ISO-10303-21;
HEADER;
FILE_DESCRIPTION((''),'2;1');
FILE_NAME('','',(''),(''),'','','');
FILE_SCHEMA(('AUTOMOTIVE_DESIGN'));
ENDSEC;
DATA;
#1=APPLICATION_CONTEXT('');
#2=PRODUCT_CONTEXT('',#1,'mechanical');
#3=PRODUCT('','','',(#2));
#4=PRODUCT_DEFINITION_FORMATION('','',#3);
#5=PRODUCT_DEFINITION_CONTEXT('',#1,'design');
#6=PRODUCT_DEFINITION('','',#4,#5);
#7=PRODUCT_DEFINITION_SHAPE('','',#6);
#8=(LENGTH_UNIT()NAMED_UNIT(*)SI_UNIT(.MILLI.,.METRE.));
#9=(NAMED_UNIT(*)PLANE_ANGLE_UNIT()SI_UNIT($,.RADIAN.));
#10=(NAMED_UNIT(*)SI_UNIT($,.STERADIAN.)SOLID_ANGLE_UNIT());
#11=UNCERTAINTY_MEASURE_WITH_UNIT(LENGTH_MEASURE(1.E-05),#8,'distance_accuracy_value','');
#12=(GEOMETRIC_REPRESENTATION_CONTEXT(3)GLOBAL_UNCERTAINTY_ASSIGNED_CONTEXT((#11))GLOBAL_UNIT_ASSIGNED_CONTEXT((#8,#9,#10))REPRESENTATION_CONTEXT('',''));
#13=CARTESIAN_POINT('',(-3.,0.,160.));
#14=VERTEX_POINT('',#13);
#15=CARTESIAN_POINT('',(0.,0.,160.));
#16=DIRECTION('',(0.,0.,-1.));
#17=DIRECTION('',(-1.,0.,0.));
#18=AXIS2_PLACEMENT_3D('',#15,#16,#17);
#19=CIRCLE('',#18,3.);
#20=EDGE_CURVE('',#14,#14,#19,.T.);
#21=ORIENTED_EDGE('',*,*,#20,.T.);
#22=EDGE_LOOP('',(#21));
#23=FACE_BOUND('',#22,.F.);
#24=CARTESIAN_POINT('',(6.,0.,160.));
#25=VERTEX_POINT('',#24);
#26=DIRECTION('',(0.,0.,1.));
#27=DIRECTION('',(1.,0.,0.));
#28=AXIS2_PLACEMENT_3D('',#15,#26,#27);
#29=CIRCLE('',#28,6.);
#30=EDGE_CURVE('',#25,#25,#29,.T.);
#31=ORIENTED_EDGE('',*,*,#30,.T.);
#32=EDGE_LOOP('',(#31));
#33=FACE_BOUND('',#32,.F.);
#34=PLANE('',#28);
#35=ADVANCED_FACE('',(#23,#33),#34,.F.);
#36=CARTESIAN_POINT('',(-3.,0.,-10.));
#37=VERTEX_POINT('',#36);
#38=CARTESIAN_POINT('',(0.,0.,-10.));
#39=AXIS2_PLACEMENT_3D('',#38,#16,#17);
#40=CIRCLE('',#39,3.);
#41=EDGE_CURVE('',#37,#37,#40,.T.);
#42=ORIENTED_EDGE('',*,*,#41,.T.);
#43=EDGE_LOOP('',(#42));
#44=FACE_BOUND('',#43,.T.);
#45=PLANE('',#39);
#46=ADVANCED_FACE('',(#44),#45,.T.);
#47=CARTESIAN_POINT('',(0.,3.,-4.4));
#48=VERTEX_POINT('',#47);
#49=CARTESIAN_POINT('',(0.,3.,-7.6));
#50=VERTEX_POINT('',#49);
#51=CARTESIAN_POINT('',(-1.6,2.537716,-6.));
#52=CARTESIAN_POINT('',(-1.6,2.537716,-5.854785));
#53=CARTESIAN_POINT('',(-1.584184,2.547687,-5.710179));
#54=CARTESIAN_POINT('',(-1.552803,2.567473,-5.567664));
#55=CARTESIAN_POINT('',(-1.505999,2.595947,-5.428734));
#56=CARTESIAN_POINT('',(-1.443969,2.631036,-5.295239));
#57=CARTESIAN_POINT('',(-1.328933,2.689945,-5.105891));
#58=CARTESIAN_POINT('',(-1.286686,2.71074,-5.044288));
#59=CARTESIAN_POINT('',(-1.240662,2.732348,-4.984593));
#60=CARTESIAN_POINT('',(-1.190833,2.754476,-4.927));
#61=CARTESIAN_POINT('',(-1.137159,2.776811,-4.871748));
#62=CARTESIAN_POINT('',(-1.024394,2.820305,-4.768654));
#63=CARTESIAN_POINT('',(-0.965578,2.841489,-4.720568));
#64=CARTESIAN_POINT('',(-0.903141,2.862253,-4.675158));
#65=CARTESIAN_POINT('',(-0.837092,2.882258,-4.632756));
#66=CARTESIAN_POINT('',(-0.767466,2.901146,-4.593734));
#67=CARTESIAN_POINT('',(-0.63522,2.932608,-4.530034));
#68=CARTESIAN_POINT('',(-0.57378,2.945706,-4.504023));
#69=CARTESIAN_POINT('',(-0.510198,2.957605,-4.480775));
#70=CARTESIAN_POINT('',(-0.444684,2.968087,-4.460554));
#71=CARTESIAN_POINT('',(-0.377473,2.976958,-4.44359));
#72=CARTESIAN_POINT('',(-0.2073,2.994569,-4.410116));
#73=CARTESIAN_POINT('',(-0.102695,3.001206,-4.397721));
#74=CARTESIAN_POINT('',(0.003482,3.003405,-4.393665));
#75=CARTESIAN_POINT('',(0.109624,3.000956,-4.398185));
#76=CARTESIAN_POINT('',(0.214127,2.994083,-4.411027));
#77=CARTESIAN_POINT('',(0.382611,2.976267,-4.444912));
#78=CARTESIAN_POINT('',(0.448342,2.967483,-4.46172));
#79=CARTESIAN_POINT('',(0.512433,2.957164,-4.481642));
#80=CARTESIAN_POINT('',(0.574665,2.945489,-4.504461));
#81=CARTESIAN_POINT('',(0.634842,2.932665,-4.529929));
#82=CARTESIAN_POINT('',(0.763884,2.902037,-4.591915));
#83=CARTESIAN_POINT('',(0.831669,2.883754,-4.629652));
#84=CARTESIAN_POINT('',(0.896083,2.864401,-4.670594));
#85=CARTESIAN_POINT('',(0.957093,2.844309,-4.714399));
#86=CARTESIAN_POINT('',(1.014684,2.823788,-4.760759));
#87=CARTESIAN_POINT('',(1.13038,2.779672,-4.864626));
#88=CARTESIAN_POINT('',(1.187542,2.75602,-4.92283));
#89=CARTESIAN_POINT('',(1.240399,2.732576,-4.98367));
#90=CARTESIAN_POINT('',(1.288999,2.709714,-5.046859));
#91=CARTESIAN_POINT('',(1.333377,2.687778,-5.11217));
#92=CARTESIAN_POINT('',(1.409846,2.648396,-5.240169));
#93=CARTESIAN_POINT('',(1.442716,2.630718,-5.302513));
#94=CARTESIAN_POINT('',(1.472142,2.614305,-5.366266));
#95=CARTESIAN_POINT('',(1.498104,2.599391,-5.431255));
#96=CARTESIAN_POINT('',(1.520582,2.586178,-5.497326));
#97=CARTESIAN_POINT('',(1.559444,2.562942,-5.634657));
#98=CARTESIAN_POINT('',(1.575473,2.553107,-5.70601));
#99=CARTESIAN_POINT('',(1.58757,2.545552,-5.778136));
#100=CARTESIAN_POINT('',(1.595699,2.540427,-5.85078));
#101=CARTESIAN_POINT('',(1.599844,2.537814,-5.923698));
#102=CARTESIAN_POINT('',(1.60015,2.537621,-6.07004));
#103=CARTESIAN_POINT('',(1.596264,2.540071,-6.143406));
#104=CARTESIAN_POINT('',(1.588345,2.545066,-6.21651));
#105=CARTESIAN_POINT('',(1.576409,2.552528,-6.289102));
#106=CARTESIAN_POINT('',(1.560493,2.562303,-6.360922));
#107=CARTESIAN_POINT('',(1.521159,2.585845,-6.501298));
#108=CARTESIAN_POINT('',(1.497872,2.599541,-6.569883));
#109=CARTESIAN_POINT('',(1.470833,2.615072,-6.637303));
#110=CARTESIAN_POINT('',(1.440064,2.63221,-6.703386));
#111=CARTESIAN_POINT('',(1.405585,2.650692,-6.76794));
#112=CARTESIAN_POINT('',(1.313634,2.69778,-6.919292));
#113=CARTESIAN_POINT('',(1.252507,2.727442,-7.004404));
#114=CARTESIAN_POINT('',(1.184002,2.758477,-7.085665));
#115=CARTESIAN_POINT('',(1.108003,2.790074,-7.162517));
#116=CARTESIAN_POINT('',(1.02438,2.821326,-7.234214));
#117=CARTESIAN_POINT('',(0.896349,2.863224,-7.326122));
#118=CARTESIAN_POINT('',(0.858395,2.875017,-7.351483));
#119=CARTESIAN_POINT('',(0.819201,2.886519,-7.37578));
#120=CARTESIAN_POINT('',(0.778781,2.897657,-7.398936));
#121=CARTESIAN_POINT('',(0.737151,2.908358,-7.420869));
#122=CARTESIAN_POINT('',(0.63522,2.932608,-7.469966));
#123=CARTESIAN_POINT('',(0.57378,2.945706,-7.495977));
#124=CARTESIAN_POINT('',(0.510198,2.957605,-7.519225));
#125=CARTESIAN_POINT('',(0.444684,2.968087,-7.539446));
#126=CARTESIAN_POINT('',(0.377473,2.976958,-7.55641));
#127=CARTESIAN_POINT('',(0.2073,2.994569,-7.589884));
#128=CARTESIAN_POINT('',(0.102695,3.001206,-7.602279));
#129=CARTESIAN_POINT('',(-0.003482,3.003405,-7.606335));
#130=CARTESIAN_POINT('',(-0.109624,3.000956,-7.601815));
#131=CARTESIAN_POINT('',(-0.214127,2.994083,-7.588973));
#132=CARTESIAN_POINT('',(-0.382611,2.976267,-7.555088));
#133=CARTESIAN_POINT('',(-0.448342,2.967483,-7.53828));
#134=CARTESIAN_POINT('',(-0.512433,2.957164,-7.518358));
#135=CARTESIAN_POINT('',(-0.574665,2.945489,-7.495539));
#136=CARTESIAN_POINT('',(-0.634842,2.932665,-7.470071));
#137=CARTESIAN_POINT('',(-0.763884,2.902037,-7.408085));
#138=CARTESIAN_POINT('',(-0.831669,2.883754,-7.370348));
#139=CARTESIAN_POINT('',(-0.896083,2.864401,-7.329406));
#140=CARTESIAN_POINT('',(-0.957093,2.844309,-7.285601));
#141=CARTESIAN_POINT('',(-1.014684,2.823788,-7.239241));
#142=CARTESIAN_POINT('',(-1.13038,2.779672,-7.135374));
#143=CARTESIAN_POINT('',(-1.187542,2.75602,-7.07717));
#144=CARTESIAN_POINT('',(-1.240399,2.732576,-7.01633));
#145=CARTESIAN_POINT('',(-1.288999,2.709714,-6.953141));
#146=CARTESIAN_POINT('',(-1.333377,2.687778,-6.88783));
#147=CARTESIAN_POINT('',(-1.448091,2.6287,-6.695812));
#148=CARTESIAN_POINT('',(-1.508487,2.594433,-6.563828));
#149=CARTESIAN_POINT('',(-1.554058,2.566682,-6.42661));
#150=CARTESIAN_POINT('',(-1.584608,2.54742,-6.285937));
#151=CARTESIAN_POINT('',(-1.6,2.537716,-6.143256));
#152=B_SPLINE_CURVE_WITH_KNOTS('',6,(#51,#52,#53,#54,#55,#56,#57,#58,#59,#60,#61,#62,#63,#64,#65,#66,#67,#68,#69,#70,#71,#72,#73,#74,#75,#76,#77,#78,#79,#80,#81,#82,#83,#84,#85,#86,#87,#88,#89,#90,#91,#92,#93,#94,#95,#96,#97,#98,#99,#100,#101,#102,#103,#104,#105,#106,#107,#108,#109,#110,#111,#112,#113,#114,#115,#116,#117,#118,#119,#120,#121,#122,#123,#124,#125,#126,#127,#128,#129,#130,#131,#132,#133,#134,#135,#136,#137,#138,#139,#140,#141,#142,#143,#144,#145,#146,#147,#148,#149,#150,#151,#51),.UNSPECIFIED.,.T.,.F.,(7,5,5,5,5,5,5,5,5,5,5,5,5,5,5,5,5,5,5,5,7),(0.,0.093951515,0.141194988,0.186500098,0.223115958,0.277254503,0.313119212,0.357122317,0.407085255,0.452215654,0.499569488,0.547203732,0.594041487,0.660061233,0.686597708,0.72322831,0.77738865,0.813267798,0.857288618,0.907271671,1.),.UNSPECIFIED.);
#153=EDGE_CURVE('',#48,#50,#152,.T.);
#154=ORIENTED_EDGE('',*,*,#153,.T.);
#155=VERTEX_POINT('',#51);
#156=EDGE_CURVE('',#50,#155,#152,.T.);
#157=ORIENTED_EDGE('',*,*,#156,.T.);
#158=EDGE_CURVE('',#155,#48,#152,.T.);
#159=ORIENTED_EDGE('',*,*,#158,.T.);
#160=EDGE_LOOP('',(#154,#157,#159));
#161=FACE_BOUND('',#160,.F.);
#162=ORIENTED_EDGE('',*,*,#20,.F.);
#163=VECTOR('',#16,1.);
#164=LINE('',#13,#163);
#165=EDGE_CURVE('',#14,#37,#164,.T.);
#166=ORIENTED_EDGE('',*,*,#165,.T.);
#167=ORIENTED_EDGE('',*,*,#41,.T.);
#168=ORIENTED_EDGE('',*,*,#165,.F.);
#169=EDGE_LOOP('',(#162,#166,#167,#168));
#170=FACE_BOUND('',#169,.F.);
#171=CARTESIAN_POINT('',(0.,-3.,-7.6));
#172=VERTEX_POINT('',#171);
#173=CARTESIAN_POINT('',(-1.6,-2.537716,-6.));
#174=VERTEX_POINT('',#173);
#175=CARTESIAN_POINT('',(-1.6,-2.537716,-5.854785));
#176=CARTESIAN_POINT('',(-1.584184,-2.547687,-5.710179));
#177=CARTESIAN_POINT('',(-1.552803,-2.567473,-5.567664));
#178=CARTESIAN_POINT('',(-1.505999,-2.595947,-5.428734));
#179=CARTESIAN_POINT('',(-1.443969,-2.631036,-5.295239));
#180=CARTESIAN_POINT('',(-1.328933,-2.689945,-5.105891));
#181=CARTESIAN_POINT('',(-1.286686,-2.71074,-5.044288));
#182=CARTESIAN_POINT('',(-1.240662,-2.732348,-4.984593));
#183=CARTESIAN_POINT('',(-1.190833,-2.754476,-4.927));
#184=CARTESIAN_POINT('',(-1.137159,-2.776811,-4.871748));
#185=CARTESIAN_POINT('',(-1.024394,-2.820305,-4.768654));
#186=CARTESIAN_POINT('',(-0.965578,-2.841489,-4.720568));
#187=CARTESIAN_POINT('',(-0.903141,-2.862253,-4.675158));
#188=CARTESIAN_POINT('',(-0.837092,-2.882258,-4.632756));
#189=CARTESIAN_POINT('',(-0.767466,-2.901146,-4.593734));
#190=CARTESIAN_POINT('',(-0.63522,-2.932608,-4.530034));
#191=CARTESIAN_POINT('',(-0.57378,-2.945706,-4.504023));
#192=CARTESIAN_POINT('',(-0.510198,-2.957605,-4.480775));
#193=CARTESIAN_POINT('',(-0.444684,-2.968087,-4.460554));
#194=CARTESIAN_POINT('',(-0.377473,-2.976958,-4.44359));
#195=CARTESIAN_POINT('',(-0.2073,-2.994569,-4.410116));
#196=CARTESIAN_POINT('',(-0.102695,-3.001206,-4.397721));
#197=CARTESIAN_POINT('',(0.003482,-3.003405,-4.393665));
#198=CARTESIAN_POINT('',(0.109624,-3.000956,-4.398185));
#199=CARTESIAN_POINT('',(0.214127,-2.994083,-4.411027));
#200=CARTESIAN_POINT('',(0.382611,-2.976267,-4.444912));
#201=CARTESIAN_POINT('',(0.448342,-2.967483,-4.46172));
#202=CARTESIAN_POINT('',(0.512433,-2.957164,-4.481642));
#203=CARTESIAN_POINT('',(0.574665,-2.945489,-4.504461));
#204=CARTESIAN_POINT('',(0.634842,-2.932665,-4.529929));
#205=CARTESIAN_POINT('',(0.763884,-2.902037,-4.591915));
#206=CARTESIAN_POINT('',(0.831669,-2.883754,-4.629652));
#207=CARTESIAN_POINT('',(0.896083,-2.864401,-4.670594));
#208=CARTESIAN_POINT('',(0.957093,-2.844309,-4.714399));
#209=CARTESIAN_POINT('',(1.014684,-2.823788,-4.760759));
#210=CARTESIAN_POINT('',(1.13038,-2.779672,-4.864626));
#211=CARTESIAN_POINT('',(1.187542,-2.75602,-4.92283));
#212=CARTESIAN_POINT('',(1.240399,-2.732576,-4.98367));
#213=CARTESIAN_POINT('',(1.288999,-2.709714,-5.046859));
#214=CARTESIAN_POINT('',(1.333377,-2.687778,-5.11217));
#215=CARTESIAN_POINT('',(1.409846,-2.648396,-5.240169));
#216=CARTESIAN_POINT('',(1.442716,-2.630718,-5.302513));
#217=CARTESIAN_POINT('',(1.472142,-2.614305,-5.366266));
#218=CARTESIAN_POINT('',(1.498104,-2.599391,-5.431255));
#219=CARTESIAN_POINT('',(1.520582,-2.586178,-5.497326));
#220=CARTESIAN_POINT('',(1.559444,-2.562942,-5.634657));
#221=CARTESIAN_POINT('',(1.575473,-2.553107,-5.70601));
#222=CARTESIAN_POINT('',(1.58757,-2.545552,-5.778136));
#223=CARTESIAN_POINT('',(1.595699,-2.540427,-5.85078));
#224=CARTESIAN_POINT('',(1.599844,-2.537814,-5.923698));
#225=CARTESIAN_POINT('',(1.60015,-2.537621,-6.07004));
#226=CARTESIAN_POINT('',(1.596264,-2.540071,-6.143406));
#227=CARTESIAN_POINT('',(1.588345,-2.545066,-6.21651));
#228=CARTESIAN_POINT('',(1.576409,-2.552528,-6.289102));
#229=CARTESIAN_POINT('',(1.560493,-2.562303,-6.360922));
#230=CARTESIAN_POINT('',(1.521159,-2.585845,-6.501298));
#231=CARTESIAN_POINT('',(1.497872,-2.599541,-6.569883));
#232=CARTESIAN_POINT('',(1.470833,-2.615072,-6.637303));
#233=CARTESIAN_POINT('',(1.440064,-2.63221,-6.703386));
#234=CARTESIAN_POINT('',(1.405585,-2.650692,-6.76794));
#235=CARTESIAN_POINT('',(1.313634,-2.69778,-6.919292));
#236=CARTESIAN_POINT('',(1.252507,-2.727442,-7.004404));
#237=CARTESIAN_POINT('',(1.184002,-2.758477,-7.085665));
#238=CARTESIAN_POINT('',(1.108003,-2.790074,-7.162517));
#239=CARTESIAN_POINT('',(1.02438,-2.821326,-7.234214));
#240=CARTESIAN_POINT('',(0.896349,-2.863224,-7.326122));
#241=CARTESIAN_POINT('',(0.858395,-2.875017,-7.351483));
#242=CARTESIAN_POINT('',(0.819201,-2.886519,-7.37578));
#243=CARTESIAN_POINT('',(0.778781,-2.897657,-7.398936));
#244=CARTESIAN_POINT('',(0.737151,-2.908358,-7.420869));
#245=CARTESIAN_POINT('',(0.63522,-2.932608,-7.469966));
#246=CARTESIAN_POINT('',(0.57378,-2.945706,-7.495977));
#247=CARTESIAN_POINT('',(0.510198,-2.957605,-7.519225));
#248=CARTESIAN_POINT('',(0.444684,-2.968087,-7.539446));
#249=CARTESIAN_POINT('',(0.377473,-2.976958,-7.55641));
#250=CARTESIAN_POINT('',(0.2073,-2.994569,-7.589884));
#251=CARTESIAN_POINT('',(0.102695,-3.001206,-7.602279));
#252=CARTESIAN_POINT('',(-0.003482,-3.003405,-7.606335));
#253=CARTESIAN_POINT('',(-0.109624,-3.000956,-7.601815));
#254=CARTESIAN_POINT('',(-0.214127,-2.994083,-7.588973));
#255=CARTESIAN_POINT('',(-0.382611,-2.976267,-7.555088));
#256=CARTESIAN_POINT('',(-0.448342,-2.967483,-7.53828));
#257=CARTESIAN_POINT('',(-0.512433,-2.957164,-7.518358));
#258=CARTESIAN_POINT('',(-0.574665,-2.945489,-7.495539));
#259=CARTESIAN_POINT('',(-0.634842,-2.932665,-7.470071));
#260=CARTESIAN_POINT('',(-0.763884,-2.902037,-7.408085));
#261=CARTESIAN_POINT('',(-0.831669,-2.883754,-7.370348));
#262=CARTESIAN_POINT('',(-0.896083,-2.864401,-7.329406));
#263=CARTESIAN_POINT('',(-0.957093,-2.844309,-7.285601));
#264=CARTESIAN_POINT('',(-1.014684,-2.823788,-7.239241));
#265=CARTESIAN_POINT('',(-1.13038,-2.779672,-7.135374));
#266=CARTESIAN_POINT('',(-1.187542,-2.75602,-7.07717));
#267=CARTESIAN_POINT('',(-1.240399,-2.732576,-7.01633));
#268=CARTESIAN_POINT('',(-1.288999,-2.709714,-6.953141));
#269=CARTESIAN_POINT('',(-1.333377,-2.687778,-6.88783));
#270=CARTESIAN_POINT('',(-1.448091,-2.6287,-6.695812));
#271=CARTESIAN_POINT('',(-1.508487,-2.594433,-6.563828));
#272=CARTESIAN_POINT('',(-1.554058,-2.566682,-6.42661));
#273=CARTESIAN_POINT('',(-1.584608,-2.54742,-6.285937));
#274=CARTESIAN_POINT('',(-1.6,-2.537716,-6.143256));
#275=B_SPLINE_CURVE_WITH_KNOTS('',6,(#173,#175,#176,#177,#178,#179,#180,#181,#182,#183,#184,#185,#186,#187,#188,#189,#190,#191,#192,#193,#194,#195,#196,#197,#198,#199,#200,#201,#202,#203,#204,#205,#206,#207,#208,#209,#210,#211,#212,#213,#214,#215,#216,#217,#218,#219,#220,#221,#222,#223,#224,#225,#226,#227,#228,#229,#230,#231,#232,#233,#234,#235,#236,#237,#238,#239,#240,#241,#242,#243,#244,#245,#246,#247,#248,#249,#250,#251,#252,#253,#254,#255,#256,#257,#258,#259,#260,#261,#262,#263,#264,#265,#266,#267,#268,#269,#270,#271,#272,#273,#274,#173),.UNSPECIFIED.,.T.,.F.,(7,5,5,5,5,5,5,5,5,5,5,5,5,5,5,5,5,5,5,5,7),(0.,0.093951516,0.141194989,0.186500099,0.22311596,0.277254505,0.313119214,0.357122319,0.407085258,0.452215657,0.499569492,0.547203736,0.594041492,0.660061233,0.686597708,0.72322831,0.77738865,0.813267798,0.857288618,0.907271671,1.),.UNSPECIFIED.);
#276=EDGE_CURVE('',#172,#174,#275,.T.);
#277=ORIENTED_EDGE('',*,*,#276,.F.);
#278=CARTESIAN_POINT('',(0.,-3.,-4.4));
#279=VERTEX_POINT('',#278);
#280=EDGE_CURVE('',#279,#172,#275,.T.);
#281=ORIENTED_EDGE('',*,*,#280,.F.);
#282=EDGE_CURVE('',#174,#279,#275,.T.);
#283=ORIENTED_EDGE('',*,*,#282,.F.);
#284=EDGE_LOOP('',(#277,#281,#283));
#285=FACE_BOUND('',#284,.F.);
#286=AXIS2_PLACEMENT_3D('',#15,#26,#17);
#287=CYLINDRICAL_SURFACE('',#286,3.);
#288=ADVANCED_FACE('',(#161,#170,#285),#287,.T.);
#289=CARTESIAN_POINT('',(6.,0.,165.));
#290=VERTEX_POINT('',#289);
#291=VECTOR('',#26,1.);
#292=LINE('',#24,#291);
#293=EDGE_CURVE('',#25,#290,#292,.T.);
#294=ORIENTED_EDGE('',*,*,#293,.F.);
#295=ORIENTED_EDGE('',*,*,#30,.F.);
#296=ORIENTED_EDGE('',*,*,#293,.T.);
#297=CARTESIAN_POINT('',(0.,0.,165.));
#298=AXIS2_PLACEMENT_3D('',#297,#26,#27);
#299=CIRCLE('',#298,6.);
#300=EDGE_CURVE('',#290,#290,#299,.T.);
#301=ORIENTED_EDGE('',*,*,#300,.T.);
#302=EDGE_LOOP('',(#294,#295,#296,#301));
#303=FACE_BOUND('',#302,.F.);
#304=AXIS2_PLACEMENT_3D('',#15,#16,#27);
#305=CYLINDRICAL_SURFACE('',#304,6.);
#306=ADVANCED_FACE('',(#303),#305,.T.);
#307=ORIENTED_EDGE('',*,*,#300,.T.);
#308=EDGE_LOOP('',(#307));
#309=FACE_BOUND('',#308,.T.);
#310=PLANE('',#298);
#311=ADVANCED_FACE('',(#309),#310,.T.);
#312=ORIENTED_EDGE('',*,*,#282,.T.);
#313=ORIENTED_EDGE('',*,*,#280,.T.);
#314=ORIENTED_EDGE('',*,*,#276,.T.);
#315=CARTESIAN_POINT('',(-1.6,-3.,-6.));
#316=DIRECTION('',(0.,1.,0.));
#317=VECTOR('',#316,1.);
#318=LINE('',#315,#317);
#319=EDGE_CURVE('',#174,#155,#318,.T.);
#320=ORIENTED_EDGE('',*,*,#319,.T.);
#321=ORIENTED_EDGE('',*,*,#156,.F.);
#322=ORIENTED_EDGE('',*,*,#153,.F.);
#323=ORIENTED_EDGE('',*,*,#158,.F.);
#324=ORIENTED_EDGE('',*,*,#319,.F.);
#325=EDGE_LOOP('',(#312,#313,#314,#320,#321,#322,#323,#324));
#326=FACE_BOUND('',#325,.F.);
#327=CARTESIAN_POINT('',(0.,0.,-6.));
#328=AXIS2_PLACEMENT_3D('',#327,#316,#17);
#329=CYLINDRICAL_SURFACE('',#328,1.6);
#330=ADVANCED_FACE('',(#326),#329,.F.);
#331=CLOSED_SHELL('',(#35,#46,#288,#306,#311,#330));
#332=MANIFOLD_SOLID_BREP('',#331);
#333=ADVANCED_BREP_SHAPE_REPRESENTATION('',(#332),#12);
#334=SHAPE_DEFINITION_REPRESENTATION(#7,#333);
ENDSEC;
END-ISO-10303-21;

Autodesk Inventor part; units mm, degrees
ref_plane "YZ Plane" through (0, 0, 0) normal (1, 0, 0) x (0, 1, 0)
ref_plane "XZ Plane" through (0, 0, 0) normal (0, 1, 0) x (-1, 0, 0)
ref_plane "Arbeitsebene1" through (0, 0, 160) normal (0, 0, 1) x (1, 0, 0)
sketch "Skizze2" plane through (0, 0, 160) normal (0, 0, 1) x (1, 0, 0)
  circle A0 centre (0, 0) radius 6
  dimension "d3" = 12
extrude "Extrusion2" add sketch "Skizze2" along normal blind 5
sketch "Skizze3" plane through (0, 0, 160) normal (0, 0, -1) x (-1, 0, 0)
  circle A0 centre (0, 0) radius 3
  dimension "d6" = 6
extrude "Extrusion3" add sketch "Skizze3" along normal blind 170
sketch "Skizze4" plane through (0, 0, 0) normal (0, 1, 0) x (-1, 0, 0)
  line L0 (-3, -10) -> (3, -10) projected
  line L1 (0, -10) -> (0, 4)
  circle A0 centre (0, -6) radius 1.6
  point P0 (0, 0)
  dimension "d9" = 14
  dimension "d10" = 3.2
extrude "Extrusion4" cut sketch "Skizze4" along normal mid plane 6
properties part number "Bolzen fuer Ruder"
